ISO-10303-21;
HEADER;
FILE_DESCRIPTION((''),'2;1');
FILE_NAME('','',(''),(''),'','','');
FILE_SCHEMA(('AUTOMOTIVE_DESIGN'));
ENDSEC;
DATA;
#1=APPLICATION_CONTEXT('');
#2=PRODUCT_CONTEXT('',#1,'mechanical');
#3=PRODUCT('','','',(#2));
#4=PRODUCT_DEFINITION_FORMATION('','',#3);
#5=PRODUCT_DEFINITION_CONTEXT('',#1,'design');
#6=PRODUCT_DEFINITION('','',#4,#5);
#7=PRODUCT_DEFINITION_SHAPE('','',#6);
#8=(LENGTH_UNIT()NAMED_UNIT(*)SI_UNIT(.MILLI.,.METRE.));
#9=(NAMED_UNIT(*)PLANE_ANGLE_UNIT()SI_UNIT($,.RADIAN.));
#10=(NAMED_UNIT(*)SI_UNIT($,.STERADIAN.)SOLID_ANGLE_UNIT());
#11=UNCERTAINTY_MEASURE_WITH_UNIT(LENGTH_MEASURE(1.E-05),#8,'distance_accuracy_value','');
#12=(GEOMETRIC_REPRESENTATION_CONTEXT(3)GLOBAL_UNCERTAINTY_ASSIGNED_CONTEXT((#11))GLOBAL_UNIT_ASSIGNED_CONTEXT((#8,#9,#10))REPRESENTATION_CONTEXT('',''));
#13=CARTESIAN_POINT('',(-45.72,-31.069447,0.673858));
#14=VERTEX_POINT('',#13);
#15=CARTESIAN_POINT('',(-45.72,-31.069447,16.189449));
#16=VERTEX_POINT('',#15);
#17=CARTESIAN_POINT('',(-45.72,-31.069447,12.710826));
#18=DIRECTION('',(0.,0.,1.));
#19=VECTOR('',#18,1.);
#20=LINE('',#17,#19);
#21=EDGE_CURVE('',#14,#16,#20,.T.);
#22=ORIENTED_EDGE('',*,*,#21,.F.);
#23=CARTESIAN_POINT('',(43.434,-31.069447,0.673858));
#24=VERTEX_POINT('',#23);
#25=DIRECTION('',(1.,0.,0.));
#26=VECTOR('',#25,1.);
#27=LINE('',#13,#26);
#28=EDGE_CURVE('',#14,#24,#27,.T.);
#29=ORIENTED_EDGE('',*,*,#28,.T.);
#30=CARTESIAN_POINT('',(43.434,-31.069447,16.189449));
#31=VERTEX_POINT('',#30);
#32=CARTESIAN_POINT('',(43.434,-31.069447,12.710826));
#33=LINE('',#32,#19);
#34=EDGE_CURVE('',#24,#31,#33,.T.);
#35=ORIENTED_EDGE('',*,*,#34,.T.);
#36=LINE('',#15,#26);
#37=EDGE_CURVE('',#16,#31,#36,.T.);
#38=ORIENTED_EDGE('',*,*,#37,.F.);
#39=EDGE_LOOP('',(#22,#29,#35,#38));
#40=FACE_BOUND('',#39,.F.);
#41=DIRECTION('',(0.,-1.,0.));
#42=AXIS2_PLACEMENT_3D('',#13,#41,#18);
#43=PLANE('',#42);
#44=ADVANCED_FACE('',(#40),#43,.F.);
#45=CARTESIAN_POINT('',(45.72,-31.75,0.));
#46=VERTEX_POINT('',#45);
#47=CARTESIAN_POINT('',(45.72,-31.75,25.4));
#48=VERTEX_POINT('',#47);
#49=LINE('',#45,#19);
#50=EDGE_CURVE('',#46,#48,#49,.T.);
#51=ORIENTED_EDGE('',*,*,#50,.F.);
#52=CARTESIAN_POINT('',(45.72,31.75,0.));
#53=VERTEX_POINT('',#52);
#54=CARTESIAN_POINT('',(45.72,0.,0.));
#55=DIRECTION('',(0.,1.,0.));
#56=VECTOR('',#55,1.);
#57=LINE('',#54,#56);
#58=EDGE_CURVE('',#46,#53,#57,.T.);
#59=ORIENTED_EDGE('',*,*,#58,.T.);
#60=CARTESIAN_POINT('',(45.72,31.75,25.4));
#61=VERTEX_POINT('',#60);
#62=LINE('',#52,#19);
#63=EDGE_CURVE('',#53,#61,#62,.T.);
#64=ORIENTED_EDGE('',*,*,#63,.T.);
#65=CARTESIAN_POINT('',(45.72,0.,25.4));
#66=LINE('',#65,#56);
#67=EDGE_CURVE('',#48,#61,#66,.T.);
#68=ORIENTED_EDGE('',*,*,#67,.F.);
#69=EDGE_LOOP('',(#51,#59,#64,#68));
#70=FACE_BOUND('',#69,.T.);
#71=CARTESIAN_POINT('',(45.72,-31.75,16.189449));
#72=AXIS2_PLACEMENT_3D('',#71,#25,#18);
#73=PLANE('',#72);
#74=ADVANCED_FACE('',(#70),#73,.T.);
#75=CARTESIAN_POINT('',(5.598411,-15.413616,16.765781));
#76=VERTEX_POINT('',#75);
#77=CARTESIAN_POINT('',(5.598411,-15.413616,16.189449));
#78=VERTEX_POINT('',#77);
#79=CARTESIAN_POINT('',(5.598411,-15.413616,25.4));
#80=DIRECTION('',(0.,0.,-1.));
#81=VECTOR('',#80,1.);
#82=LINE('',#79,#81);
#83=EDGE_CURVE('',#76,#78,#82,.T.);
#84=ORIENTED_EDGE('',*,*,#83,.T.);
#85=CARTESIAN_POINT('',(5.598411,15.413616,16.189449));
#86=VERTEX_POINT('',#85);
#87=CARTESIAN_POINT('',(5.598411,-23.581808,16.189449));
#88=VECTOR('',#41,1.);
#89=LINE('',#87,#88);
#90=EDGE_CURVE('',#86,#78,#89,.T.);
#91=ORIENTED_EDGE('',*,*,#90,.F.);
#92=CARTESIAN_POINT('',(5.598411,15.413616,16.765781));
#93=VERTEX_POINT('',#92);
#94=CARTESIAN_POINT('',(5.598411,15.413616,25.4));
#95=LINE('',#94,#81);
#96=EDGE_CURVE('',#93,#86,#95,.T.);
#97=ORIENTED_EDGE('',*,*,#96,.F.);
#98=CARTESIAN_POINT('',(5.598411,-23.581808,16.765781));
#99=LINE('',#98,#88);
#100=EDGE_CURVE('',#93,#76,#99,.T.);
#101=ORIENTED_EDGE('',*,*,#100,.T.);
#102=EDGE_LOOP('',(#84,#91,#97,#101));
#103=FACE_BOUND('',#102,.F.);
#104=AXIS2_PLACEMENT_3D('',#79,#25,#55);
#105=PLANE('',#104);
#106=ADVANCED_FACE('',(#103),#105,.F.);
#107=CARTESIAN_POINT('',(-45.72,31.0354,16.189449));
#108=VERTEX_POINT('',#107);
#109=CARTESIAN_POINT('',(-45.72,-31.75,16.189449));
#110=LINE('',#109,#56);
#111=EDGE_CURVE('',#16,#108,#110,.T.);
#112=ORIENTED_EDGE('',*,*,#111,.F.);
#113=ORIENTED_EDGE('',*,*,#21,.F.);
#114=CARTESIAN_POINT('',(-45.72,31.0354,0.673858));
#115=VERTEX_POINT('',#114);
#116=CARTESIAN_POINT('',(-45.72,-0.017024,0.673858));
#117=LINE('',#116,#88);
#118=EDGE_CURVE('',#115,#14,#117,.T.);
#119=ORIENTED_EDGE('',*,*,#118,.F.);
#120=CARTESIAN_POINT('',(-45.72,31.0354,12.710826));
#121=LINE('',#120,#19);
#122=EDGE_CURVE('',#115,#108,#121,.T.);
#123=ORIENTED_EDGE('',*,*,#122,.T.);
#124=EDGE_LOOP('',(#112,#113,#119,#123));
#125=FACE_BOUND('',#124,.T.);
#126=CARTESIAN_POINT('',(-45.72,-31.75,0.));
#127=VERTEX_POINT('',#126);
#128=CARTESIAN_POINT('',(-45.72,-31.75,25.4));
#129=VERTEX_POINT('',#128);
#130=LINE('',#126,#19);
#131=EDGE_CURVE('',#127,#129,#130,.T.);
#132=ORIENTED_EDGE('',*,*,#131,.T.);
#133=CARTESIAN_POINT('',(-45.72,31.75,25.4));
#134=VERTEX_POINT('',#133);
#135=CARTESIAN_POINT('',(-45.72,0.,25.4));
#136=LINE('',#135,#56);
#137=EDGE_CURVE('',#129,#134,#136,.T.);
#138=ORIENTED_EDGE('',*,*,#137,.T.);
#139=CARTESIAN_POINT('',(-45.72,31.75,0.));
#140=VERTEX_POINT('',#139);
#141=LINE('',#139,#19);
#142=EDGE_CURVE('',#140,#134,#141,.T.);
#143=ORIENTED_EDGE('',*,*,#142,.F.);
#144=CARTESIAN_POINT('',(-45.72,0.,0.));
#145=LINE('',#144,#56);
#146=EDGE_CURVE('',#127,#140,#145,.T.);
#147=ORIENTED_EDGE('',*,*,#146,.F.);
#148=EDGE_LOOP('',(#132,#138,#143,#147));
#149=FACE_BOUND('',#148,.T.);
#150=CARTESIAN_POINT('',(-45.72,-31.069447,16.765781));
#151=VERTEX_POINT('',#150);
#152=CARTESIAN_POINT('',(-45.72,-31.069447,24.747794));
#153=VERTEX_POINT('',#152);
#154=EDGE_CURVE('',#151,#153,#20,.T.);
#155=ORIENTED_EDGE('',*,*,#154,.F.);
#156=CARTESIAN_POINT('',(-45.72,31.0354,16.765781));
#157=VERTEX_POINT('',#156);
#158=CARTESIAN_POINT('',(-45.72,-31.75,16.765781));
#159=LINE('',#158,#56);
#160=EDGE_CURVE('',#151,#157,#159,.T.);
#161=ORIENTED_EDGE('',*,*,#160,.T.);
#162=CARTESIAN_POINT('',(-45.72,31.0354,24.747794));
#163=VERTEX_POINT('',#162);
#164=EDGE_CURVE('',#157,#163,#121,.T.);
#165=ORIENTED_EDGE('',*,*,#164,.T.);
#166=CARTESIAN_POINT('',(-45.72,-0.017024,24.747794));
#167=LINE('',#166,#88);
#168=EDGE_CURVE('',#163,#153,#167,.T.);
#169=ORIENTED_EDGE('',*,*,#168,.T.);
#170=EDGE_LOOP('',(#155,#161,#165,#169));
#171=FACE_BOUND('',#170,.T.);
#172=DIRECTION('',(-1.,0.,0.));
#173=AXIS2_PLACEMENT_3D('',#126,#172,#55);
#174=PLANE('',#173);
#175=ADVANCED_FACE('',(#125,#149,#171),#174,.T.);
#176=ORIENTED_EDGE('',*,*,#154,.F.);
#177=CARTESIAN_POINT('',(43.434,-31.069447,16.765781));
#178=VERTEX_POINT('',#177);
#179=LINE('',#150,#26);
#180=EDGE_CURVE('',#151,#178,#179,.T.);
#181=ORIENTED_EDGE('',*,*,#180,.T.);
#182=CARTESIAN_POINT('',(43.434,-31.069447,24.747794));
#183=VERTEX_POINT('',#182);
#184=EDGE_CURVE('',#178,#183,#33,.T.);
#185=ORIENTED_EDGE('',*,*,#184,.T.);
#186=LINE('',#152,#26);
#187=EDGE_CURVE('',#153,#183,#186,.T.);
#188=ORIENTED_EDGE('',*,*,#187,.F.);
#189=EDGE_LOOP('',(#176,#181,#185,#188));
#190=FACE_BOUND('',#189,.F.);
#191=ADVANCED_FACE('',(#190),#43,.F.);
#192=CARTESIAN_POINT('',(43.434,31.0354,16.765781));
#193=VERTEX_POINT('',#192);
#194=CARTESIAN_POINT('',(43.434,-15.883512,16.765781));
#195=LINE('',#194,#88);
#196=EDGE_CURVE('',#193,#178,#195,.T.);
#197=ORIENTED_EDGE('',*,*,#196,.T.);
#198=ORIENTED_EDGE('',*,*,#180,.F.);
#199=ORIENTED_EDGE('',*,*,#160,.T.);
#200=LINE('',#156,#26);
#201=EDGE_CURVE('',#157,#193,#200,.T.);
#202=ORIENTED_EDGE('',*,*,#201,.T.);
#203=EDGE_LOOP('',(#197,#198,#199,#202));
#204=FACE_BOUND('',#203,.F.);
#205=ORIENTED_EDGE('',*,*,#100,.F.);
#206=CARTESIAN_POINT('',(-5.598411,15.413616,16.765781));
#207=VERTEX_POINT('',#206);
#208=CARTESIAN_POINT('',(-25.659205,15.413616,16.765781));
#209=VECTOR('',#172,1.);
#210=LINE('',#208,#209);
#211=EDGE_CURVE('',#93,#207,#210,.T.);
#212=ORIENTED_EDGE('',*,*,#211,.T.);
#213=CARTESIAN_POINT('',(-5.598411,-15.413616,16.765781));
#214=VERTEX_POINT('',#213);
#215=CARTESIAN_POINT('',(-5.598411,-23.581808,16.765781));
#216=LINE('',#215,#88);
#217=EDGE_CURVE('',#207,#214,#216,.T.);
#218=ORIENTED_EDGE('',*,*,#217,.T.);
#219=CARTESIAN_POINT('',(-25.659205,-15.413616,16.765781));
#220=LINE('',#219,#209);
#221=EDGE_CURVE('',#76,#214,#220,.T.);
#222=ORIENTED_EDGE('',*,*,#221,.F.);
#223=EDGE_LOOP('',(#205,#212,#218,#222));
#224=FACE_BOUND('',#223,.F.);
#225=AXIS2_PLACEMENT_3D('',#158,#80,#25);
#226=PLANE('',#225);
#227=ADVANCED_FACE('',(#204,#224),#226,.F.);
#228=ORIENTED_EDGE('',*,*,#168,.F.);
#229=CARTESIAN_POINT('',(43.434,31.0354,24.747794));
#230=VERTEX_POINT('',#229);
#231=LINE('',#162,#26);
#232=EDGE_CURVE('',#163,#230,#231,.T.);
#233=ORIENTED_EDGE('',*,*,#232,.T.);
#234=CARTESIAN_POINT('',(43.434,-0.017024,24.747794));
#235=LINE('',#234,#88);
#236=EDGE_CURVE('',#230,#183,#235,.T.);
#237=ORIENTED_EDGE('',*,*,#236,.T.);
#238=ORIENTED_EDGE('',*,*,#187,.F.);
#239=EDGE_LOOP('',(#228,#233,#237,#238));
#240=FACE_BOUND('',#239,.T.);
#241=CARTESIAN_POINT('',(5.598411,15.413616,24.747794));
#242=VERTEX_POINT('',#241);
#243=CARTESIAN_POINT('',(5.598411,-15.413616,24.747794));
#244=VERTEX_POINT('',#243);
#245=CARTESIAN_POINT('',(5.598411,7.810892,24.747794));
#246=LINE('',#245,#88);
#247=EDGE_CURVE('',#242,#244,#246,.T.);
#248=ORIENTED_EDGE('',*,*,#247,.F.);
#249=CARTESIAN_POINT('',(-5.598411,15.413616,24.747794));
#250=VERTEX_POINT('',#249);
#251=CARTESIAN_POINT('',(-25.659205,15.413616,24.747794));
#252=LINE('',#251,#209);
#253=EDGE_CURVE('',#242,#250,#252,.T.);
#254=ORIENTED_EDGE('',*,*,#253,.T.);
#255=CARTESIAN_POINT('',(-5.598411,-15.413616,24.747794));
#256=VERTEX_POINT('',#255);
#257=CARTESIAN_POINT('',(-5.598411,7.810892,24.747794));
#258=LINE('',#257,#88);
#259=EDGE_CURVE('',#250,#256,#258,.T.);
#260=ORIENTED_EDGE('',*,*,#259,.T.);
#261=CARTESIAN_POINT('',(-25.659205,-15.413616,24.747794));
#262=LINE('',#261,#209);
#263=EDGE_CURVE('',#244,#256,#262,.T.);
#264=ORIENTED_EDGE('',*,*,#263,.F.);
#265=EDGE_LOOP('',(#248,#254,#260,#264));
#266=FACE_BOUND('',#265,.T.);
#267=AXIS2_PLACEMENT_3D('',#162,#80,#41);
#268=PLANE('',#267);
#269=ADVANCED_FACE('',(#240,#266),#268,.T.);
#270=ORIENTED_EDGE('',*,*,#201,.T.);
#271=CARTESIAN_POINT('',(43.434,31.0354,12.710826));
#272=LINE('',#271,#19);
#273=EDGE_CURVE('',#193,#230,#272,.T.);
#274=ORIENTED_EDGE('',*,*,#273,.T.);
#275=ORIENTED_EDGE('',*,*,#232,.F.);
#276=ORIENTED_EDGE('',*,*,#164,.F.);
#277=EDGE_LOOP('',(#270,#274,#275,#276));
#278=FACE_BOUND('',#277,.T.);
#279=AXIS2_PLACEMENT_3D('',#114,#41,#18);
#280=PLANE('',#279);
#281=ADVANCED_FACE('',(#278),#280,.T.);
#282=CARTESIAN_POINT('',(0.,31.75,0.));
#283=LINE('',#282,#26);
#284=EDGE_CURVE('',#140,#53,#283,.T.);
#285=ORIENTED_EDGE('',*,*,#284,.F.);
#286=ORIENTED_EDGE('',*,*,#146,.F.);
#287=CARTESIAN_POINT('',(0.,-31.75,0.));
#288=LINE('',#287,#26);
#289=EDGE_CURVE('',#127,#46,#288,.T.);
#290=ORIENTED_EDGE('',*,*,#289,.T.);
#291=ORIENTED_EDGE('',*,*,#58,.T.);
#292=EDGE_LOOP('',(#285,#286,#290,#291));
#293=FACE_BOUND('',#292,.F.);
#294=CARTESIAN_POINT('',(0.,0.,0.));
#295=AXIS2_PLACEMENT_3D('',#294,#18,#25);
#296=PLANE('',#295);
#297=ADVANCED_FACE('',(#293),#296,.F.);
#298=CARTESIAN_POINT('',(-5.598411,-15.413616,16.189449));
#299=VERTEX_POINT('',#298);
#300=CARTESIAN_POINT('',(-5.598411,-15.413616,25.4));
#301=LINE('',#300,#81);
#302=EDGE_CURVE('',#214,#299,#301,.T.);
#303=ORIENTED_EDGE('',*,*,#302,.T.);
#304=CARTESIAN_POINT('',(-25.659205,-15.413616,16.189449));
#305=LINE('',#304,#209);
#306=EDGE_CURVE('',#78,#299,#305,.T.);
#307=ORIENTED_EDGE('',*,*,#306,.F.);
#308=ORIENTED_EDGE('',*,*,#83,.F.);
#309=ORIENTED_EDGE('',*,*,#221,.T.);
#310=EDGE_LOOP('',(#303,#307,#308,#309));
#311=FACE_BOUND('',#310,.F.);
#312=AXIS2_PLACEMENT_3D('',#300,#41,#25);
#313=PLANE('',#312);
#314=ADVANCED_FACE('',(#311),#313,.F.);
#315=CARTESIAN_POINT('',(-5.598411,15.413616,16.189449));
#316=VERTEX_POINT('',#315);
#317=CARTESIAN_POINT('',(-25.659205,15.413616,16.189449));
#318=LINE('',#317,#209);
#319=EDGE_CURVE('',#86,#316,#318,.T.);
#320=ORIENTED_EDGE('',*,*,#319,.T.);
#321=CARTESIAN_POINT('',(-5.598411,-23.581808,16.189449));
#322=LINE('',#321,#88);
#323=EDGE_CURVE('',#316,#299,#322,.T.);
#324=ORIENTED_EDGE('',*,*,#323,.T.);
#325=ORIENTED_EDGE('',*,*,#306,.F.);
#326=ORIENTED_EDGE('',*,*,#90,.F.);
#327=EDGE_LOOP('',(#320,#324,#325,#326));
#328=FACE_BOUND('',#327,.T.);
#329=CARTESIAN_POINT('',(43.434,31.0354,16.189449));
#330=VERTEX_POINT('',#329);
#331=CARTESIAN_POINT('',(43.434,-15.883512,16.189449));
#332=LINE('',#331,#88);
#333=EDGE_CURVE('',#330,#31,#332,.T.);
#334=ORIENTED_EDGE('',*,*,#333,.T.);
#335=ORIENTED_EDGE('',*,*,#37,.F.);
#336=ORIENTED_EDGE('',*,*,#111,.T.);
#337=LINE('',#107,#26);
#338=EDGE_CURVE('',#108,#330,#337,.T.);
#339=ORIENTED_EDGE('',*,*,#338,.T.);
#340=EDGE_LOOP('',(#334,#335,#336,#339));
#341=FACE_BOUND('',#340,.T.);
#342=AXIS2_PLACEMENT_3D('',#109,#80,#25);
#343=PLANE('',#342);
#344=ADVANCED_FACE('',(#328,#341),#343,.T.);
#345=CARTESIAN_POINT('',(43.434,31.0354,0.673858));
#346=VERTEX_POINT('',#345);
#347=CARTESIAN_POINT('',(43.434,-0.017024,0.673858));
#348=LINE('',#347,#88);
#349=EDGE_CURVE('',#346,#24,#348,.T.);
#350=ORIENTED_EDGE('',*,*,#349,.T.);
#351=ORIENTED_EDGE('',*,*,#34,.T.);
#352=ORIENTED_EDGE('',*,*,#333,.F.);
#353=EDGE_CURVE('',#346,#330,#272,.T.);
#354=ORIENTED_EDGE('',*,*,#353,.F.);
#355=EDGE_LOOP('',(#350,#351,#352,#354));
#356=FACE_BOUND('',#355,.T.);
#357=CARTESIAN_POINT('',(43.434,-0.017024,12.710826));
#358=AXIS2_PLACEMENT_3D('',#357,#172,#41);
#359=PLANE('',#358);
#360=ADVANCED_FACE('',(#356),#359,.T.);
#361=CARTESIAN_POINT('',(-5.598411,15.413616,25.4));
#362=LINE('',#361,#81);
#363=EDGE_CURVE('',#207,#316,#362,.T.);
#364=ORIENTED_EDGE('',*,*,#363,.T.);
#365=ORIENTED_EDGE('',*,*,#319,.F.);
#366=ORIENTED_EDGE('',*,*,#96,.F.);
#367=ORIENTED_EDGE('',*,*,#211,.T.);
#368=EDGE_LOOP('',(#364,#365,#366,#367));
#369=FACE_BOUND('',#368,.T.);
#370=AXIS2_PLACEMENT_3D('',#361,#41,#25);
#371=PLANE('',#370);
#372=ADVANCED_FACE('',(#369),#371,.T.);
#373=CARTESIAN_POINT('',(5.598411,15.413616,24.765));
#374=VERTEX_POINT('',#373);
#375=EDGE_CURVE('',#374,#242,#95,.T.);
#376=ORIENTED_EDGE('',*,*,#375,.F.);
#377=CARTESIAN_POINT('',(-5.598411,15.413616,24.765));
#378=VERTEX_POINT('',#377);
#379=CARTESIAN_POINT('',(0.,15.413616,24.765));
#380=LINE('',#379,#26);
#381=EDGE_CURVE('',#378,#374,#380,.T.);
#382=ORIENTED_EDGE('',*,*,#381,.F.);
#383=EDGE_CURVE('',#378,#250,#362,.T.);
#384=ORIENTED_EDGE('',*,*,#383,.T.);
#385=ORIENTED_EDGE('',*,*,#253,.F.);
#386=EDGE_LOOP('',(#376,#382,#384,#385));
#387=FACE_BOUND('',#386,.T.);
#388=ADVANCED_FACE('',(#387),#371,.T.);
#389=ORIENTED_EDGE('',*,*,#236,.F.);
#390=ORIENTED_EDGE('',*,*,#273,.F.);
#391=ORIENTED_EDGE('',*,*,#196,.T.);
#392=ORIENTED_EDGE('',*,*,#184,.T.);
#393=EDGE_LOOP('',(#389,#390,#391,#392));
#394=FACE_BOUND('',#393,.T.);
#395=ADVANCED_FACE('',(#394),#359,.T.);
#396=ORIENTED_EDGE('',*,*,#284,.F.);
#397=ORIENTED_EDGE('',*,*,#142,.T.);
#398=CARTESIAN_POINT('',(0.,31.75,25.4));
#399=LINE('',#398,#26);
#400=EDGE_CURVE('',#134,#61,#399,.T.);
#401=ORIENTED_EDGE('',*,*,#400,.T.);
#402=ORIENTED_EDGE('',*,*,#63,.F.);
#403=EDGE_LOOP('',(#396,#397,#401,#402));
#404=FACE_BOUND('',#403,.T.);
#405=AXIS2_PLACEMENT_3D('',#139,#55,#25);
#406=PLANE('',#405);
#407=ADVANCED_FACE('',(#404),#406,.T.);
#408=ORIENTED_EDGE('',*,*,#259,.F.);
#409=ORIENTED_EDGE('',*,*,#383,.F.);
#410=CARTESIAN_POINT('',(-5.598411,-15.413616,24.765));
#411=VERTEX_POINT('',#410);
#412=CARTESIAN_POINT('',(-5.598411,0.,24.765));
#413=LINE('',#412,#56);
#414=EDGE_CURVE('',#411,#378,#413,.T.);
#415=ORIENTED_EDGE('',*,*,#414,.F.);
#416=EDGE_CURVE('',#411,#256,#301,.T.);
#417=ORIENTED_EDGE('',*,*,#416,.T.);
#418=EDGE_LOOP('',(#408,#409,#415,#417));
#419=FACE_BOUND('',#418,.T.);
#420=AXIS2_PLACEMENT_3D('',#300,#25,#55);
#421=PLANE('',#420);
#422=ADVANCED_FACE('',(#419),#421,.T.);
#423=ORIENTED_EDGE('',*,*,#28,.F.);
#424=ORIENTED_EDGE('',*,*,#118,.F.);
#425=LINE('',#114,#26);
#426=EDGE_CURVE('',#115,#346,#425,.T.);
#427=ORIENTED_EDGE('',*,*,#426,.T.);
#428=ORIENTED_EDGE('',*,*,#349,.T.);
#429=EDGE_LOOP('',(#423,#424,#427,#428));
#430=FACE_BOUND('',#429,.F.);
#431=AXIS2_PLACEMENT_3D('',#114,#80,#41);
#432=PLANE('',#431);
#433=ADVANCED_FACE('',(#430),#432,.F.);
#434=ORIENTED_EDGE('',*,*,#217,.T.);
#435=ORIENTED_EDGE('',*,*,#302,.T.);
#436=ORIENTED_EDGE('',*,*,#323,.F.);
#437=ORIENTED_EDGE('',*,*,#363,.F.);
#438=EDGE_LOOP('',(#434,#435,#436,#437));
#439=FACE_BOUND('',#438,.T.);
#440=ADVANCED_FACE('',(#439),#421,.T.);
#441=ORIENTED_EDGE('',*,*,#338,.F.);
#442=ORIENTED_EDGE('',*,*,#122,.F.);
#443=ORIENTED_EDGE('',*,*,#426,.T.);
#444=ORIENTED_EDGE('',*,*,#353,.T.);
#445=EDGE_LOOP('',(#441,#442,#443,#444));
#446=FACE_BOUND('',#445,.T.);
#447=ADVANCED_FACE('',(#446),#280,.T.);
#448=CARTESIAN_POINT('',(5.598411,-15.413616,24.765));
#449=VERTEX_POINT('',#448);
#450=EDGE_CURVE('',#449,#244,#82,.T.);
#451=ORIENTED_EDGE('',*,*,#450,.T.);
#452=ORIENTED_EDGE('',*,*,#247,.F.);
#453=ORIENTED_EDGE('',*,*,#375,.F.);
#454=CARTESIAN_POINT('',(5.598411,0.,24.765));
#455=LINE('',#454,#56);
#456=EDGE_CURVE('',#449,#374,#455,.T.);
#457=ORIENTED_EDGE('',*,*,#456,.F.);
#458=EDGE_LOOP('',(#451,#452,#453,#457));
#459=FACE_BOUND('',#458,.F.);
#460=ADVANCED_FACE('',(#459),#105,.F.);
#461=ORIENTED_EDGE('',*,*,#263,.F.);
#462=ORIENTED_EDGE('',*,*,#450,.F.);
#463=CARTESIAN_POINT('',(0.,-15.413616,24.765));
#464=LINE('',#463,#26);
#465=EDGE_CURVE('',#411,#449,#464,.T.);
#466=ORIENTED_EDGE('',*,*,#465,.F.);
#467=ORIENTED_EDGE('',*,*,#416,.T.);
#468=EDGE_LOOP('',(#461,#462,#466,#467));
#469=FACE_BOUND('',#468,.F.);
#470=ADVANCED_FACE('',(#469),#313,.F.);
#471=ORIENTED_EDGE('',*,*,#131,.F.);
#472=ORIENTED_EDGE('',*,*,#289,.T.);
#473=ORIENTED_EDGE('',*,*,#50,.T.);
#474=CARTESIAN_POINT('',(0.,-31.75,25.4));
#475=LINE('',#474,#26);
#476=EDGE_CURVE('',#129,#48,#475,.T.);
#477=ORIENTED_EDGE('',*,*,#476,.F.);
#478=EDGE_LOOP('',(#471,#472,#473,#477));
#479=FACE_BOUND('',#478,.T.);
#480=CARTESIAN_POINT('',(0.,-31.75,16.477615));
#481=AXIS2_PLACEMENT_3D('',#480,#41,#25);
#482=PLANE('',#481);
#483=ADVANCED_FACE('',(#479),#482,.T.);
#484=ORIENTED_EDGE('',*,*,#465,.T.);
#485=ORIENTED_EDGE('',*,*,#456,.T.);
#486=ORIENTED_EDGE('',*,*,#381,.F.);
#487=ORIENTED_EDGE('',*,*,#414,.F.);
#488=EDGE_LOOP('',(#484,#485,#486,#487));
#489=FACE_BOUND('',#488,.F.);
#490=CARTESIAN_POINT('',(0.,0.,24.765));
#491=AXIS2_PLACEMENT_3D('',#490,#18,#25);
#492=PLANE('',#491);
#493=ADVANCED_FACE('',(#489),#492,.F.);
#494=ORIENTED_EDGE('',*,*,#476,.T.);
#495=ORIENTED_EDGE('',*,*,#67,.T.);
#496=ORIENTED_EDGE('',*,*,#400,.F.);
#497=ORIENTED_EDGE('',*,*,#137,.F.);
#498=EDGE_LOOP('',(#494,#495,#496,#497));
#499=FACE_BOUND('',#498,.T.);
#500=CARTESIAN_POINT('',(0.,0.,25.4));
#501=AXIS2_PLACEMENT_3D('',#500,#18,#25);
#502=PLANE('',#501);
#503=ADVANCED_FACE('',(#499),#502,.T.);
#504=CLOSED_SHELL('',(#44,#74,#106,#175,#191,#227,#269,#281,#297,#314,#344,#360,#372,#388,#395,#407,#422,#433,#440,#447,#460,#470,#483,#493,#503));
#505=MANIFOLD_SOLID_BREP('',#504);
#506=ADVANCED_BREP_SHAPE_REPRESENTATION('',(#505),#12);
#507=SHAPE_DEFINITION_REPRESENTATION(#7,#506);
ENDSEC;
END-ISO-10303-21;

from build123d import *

# Parameters (mm, degrees)
F0_W      = 91.44
F0_H      = 63.5
F1_DEPTH  = 25.4
F3_W      = 62.104847
F3_H      = 24.073936
F4_DEPTH  = 89.154
F5_W      = 91.44
F5_H      = 0.576332
F6_DEPTH  = 63.2206
F7_W      = 11.196822
F7_H      = 30.827232
F8_DEPTH  = 15.24
F9_W      = 11.196822
F9_H      = 30.827232
F10_DEPTH = 0.635


with BuildPart() as f1:
    # F0 (on Top) → F1 (new body)
    with BuildSketch(Plane.XY):
        Rectangle(F0_W, F0_H)
    extrude(amount=F1_DEPTH)

    # F3 (on face) → F4 (cut)
    with BuildSketch(Plane(origin=(-45.72, 0, 0), x_dir=(0, -1, 0), z_dir=(-1, 0, 0))):
        with Locations((0.017024, 12.710826)):
            Rectangle(F3_W, F3_H)
    extrude(amount=-F4_DEPTH, mode=Mode.SUBTRACT)

    # F5 (on face) → F6 (join)
    with BuildSketch(Plane.XZ.offset(31.75)):
        with Locations((0, 16.477615)):
            Rectangle(F5_W, F5_H)
    extrude(amount=-F6_DEPTH)

    # F7 (on face) → F8 (cut)
    with BuildSketch(Plane.XY.offset(25.4)):
        Rectangle(F7_W, F7_H)
    extrude(amount=-F8_DEPTH, mode=Mode.SUBTRACT)

    # F9 (on face) → F10 (join)
    with BuildSketch(Plane.XY.offset(25.4)):
        Rectangle(F9_W, F9_H)
    extrude(amount=-F10_DEPTH)


solid = f1.part
